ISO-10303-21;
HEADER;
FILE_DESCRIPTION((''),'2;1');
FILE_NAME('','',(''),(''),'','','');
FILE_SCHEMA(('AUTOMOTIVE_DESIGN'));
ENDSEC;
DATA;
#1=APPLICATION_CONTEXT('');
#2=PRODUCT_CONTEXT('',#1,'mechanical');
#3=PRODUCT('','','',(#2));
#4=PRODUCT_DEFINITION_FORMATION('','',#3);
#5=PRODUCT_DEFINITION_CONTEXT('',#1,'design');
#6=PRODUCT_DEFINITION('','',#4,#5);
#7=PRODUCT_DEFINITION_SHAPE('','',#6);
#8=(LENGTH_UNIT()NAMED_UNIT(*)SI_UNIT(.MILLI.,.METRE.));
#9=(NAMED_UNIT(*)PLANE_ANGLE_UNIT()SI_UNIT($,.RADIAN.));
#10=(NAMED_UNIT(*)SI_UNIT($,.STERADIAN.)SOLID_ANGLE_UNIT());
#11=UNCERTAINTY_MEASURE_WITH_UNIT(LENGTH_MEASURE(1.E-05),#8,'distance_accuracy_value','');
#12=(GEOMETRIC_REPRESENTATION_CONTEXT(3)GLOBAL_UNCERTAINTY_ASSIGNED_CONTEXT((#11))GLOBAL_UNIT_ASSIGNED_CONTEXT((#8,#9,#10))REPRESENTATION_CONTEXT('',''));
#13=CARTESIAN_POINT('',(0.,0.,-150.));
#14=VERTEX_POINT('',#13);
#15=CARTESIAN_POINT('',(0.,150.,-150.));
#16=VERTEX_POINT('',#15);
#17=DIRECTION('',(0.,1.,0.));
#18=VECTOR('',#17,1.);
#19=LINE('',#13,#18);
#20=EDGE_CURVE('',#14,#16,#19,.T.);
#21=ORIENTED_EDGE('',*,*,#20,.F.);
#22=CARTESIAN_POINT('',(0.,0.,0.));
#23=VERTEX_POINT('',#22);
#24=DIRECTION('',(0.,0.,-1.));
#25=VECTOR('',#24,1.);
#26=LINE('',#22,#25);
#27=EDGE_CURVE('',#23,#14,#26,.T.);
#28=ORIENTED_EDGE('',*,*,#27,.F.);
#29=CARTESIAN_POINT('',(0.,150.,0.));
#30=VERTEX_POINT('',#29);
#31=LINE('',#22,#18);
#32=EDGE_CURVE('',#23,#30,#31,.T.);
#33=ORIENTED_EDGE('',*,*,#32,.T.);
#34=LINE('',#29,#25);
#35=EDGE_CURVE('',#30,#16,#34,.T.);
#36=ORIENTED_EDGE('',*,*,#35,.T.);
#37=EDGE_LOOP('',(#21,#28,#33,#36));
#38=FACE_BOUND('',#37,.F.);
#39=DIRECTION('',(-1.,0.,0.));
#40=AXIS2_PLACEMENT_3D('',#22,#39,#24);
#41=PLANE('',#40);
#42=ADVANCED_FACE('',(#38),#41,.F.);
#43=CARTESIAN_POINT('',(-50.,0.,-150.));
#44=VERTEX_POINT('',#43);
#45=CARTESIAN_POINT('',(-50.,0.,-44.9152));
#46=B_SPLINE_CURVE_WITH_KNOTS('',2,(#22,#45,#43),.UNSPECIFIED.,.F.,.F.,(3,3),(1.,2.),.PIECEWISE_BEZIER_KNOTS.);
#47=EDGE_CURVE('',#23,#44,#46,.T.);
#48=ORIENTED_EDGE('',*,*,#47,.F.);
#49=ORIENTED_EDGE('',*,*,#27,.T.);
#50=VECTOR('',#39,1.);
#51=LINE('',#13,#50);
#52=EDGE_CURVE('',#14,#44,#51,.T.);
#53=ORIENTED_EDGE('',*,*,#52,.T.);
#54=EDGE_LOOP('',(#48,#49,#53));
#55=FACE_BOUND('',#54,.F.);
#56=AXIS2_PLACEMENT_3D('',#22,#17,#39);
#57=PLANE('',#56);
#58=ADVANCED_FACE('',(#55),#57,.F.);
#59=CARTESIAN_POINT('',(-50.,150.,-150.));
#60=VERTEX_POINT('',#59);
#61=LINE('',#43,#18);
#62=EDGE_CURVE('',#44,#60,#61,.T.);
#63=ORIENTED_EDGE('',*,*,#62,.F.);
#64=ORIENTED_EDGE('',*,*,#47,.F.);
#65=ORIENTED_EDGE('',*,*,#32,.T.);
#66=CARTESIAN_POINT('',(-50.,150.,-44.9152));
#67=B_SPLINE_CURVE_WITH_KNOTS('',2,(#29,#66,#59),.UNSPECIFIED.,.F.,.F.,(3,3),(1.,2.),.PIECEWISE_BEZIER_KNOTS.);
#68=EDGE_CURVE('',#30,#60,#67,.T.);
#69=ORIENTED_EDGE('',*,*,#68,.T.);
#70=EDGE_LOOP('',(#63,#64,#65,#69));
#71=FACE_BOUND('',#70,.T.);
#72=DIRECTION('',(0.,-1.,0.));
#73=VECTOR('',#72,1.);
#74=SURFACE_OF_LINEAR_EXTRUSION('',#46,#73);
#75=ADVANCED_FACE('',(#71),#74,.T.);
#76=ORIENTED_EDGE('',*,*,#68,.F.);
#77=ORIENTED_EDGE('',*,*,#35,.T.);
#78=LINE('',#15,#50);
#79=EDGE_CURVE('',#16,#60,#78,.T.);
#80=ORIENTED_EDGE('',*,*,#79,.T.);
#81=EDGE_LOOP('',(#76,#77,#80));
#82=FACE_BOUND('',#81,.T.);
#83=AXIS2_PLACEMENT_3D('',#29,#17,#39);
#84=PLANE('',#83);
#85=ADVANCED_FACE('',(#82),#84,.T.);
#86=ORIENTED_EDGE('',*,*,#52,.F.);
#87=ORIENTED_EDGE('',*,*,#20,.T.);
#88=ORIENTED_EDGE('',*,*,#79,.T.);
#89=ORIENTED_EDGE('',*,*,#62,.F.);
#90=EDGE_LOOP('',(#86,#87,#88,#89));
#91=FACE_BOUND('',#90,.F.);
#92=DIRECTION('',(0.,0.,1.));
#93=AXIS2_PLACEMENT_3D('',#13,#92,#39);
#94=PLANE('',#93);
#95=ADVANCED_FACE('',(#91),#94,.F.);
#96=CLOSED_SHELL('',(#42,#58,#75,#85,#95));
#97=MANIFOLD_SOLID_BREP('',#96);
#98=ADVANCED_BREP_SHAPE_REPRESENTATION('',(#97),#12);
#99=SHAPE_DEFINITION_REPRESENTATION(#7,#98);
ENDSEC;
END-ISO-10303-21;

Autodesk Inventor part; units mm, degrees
ref_plane "YZ Plane" through (0, 0, 0) normal (1, 0, 0) x (0, 1, 0)
ref_plane "XZ Plane" through (0, 0, 0) normal (0, 1, 0) x (-1, 0, 0)
ref_plane "XY Plane" through (0, 0, 0) normal (0, 0, 1) x (1, 0, 0)
sketch "Sketch1" plane through (0, 0, 0) normal (0, 1, 0) x (-1, 0, 0)
  line L0 (0, 0) -> (0, -150)
  line L1 (0, -150) -> (50, -150)
  line L2 (0, 0) -> (50, -44.9152) construction
  line L3 (50, -44.9152) -> (50, -150) construction
  spline S0 degree 2 poles (0, 0) (50, -44.9152) (50, -150) knots 1 1 1 2 2 2
  dimension "d0" = 150
  dimension "d2" = 50
extrude "Extrusion7" add sketch "Sketch1" along normal blind 150
properties part number "3DPrintShapeStraightEdgeSimplified"
